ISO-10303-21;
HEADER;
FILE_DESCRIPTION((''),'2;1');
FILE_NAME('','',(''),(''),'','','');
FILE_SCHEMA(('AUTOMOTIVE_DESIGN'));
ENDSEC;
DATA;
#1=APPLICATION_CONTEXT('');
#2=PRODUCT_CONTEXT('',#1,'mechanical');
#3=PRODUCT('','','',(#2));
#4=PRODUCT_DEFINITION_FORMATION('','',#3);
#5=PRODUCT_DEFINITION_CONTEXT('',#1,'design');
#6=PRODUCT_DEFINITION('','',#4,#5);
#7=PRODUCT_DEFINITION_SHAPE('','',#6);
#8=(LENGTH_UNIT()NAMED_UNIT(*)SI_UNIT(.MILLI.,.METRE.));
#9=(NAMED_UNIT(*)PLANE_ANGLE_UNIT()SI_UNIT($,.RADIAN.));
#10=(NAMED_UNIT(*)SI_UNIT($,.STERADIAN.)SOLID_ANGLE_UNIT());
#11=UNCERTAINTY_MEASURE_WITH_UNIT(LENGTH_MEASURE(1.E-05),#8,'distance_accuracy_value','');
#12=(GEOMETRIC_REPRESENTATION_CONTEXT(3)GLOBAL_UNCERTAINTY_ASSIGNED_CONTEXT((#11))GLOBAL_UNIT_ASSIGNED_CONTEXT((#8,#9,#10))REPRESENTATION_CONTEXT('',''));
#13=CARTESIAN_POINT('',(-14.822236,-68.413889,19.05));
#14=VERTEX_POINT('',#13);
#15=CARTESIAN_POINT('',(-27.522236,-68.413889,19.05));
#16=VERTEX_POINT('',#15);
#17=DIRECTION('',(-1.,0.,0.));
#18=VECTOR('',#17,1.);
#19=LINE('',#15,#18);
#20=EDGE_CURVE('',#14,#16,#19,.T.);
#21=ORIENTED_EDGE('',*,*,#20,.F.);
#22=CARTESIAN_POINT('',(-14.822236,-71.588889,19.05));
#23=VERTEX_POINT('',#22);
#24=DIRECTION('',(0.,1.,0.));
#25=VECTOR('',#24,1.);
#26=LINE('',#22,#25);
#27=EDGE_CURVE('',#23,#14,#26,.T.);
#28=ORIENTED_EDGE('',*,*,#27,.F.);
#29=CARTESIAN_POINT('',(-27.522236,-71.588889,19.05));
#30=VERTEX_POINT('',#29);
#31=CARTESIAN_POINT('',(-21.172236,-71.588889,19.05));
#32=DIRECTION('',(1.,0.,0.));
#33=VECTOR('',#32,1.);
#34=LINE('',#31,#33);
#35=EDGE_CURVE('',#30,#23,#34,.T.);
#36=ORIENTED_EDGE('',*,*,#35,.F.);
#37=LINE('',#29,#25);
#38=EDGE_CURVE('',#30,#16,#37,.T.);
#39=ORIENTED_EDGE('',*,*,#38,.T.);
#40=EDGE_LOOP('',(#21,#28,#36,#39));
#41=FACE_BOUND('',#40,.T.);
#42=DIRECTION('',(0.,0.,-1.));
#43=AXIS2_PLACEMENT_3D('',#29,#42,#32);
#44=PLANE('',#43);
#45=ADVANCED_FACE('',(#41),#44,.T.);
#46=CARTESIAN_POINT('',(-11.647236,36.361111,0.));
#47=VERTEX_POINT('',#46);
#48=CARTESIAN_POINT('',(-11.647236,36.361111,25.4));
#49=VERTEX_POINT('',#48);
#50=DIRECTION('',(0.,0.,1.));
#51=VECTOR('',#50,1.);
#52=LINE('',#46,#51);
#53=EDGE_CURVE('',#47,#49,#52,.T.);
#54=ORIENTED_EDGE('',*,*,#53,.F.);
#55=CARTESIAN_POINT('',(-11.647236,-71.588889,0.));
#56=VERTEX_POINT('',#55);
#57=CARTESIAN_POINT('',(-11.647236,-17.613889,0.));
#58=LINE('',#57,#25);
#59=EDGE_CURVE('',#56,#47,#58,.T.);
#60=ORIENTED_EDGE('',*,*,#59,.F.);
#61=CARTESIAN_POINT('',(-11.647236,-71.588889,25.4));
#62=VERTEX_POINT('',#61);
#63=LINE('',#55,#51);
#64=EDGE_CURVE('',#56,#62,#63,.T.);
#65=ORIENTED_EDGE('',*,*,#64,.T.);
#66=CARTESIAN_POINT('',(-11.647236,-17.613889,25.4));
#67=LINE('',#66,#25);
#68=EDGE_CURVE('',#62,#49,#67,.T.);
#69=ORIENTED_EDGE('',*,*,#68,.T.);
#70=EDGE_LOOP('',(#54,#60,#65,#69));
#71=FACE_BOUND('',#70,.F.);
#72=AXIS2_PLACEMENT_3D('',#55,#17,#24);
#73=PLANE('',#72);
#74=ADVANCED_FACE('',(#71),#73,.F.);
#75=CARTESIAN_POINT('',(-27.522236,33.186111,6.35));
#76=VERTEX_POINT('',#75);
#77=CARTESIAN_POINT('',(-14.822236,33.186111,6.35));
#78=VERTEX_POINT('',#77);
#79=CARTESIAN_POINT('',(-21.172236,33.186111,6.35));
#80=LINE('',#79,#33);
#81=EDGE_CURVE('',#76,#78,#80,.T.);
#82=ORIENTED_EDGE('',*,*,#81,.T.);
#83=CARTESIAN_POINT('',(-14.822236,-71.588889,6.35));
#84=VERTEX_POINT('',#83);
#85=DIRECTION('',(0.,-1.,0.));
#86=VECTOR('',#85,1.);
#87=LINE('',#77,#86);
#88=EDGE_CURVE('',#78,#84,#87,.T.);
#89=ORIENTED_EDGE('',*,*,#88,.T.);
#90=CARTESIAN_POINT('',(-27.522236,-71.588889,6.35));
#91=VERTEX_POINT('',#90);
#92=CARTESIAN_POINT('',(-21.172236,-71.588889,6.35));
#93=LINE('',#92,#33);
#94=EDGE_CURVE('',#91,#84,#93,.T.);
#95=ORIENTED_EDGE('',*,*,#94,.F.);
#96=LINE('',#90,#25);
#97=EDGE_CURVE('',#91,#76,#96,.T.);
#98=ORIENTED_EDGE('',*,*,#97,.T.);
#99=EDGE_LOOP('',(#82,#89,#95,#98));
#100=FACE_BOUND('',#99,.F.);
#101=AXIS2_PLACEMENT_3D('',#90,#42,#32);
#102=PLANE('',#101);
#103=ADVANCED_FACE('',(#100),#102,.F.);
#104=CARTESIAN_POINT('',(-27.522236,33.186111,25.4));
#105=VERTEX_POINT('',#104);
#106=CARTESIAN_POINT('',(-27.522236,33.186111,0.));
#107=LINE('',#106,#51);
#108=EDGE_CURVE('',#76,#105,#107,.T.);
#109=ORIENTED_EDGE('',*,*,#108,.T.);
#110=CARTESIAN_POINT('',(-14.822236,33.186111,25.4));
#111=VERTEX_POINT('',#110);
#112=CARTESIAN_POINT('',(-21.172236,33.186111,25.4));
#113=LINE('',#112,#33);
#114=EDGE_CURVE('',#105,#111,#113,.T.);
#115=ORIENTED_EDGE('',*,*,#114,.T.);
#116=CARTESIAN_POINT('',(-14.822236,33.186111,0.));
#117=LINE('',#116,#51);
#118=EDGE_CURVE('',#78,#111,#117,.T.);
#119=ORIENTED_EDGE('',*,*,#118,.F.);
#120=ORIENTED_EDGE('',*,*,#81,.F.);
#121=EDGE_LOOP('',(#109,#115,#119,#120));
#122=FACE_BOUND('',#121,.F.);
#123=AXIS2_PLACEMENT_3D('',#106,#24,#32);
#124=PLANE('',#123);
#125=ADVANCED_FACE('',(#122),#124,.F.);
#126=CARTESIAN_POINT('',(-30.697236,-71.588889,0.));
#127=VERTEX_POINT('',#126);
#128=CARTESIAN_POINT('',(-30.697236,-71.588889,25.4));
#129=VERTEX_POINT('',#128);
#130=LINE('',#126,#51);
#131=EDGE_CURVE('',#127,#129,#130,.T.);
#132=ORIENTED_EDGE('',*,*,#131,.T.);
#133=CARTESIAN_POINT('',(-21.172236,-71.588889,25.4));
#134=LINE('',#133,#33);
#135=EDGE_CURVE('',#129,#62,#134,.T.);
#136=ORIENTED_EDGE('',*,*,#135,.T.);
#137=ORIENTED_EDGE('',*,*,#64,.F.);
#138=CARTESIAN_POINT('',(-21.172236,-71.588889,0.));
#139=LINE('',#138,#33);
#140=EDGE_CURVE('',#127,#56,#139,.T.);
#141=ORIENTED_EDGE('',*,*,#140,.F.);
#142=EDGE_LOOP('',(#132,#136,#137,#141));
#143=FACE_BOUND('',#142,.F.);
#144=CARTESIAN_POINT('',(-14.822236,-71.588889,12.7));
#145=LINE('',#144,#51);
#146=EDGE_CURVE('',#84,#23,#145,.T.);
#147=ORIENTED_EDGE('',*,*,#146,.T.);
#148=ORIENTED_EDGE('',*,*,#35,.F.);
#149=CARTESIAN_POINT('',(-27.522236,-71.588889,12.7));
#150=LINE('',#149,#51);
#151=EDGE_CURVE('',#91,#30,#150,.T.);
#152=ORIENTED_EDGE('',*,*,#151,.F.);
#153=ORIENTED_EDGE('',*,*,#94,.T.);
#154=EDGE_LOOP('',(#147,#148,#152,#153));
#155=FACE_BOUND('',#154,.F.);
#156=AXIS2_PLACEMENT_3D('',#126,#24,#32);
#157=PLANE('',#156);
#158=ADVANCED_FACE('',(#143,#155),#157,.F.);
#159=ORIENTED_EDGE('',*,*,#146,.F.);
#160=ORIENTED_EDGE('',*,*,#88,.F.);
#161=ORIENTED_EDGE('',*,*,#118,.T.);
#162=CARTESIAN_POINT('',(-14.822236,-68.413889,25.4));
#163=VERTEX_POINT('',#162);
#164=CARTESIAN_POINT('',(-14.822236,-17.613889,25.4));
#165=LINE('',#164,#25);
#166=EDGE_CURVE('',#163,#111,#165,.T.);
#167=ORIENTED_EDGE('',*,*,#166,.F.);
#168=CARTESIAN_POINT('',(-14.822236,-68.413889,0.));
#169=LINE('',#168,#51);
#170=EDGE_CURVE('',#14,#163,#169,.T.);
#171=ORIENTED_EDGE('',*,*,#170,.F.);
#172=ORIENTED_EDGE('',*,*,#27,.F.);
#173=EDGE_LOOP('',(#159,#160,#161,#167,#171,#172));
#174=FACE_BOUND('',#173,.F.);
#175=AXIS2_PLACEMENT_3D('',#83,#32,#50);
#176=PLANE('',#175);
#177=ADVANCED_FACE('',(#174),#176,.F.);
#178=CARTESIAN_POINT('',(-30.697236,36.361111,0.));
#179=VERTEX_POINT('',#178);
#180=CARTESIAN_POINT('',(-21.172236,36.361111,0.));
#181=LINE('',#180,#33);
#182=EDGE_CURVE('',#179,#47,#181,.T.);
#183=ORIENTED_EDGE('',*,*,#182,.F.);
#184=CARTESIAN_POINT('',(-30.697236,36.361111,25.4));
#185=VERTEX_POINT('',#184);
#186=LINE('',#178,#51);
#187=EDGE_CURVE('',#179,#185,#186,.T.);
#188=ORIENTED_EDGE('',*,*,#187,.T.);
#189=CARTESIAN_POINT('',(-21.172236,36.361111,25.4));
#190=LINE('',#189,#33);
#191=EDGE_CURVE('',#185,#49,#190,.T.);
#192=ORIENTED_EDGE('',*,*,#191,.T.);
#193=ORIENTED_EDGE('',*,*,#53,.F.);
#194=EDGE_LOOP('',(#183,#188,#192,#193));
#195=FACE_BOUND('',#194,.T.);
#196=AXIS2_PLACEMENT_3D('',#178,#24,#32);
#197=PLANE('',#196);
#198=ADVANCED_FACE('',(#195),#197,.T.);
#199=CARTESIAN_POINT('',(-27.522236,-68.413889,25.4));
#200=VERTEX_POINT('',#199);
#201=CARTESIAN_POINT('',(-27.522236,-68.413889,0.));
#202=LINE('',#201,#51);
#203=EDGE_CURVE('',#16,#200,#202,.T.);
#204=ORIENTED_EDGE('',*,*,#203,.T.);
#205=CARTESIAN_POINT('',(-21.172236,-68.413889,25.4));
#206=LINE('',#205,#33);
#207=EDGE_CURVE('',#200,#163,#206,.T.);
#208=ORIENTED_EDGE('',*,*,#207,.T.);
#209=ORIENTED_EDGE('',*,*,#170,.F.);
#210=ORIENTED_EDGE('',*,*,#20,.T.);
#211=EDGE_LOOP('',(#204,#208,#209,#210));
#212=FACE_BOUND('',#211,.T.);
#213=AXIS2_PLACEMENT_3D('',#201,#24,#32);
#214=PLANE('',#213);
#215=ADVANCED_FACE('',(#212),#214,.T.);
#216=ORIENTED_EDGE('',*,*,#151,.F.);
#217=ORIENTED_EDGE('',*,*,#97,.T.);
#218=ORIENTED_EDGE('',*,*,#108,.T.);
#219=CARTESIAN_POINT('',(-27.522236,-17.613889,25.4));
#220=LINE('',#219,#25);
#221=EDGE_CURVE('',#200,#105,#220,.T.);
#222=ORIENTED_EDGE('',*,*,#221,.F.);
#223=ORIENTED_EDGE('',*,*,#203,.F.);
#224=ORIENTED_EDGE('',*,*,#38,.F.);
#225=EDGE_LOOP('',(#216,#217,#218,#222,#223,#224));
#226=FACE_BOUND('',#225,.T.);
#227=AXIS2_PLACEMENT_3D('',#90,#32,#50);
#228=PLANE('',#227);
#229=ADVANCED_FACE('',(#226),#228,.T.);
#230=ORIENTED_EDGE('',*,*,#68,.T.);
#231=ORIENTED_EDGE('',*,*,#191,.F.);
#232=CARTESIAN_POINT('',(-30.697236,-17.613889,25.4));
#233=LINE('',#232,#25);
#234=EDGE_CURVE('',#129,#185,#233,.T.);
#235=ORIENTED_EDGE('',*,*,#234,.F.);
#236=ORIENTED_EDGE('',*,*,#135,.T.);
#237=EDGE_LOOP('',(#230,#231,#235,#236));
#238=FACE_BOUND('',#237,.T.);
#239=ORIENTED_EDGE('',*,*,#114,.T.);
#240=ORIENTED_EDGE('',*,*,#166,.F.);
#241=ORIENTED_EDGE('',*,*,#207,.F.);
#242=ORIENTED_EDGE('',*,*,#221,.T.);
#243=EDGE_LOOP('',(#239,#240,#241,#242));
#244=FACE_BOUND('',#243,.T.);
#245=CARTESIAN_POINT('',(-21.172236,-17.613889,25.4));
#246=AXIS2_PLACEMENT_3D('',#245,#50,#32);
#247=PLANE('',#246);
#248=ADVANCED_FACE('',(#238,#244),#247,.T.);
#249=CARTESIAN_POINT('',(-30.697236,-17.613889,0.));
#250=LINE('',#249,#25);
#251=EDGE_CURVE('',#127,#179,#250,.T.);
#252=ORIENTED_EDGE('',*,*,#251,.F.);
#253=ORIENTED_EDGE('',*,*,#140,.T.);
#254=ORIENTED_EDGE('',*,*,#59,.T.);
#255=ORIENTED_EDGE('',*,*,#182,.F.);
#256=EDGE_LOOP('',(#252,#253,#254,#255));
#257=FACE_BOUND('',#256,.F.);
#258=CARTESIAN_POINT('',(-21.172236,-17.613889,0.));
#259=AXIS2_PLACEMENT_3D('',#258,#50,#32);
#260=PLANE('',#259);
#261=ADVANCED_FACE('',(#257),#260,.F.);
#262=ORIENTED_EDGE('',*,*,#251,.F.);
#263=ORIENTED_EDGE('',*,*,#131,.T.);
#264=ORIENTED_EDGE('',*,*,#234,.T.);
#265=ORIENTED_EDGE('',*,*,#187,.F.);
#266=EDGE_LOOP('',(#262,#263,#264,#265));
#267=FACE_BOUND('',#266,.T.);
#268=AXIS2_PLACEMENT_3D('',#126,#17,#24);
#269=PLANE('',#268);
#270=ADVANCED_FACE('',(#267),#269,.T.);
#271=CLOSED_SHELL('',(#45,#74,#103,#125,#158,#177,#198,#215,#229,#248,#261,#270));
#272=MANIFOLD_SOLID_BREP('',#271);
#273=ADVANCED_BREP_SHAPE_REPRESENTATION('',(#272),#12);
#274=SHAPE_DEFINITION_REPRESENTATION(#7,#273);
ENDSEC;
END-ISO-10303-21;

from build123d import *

# Parameters (mm, degrees)
F0_W     = 19.05
F0_H     = 107.95
F0_W_2   = 12.7
F0_H_2   = 101.6
F1_DEPTH = 25.4
F2_DEPTH = 6.35
F3_W     = 12.7
F3_H     = 12.7
F4_DEPTH = 25.4


with BuildPart() as f1:
    # F0 (on Top) → F1 (new body)
    with BuildSketch(Plane.XY):
        with Locations((-21.172236, -17.613889)):
            Rectangle(F0_W, F0_H)
        with Locations((-21.172236, -17.613889)):
            Rectangle(F0_W_2, F0_H_2, mode=Mode.SUBTRACT)
    extrude(amount=F1_DEPTH)

    # F0 (on Top) → F2 (join)
    with BuildSketch(Plane.XY):
        with Locations((-21.172236, -17.613889)):
            Rectangle(F0_W_2, F0_H_2)
    extrude(amount=F2_DEPTH)

    # F3 (on face) → F4 (cut)
    with BuildSketch(Plane.XZ.offset(71.588889)):
        with Locations((-21.172236, 12.7)):
            Rectangle(F3_W, F3_H)
    extrude(amount=-F4_DEPTH, mode=Mode.SUBTRACT)


solid = f1.part
